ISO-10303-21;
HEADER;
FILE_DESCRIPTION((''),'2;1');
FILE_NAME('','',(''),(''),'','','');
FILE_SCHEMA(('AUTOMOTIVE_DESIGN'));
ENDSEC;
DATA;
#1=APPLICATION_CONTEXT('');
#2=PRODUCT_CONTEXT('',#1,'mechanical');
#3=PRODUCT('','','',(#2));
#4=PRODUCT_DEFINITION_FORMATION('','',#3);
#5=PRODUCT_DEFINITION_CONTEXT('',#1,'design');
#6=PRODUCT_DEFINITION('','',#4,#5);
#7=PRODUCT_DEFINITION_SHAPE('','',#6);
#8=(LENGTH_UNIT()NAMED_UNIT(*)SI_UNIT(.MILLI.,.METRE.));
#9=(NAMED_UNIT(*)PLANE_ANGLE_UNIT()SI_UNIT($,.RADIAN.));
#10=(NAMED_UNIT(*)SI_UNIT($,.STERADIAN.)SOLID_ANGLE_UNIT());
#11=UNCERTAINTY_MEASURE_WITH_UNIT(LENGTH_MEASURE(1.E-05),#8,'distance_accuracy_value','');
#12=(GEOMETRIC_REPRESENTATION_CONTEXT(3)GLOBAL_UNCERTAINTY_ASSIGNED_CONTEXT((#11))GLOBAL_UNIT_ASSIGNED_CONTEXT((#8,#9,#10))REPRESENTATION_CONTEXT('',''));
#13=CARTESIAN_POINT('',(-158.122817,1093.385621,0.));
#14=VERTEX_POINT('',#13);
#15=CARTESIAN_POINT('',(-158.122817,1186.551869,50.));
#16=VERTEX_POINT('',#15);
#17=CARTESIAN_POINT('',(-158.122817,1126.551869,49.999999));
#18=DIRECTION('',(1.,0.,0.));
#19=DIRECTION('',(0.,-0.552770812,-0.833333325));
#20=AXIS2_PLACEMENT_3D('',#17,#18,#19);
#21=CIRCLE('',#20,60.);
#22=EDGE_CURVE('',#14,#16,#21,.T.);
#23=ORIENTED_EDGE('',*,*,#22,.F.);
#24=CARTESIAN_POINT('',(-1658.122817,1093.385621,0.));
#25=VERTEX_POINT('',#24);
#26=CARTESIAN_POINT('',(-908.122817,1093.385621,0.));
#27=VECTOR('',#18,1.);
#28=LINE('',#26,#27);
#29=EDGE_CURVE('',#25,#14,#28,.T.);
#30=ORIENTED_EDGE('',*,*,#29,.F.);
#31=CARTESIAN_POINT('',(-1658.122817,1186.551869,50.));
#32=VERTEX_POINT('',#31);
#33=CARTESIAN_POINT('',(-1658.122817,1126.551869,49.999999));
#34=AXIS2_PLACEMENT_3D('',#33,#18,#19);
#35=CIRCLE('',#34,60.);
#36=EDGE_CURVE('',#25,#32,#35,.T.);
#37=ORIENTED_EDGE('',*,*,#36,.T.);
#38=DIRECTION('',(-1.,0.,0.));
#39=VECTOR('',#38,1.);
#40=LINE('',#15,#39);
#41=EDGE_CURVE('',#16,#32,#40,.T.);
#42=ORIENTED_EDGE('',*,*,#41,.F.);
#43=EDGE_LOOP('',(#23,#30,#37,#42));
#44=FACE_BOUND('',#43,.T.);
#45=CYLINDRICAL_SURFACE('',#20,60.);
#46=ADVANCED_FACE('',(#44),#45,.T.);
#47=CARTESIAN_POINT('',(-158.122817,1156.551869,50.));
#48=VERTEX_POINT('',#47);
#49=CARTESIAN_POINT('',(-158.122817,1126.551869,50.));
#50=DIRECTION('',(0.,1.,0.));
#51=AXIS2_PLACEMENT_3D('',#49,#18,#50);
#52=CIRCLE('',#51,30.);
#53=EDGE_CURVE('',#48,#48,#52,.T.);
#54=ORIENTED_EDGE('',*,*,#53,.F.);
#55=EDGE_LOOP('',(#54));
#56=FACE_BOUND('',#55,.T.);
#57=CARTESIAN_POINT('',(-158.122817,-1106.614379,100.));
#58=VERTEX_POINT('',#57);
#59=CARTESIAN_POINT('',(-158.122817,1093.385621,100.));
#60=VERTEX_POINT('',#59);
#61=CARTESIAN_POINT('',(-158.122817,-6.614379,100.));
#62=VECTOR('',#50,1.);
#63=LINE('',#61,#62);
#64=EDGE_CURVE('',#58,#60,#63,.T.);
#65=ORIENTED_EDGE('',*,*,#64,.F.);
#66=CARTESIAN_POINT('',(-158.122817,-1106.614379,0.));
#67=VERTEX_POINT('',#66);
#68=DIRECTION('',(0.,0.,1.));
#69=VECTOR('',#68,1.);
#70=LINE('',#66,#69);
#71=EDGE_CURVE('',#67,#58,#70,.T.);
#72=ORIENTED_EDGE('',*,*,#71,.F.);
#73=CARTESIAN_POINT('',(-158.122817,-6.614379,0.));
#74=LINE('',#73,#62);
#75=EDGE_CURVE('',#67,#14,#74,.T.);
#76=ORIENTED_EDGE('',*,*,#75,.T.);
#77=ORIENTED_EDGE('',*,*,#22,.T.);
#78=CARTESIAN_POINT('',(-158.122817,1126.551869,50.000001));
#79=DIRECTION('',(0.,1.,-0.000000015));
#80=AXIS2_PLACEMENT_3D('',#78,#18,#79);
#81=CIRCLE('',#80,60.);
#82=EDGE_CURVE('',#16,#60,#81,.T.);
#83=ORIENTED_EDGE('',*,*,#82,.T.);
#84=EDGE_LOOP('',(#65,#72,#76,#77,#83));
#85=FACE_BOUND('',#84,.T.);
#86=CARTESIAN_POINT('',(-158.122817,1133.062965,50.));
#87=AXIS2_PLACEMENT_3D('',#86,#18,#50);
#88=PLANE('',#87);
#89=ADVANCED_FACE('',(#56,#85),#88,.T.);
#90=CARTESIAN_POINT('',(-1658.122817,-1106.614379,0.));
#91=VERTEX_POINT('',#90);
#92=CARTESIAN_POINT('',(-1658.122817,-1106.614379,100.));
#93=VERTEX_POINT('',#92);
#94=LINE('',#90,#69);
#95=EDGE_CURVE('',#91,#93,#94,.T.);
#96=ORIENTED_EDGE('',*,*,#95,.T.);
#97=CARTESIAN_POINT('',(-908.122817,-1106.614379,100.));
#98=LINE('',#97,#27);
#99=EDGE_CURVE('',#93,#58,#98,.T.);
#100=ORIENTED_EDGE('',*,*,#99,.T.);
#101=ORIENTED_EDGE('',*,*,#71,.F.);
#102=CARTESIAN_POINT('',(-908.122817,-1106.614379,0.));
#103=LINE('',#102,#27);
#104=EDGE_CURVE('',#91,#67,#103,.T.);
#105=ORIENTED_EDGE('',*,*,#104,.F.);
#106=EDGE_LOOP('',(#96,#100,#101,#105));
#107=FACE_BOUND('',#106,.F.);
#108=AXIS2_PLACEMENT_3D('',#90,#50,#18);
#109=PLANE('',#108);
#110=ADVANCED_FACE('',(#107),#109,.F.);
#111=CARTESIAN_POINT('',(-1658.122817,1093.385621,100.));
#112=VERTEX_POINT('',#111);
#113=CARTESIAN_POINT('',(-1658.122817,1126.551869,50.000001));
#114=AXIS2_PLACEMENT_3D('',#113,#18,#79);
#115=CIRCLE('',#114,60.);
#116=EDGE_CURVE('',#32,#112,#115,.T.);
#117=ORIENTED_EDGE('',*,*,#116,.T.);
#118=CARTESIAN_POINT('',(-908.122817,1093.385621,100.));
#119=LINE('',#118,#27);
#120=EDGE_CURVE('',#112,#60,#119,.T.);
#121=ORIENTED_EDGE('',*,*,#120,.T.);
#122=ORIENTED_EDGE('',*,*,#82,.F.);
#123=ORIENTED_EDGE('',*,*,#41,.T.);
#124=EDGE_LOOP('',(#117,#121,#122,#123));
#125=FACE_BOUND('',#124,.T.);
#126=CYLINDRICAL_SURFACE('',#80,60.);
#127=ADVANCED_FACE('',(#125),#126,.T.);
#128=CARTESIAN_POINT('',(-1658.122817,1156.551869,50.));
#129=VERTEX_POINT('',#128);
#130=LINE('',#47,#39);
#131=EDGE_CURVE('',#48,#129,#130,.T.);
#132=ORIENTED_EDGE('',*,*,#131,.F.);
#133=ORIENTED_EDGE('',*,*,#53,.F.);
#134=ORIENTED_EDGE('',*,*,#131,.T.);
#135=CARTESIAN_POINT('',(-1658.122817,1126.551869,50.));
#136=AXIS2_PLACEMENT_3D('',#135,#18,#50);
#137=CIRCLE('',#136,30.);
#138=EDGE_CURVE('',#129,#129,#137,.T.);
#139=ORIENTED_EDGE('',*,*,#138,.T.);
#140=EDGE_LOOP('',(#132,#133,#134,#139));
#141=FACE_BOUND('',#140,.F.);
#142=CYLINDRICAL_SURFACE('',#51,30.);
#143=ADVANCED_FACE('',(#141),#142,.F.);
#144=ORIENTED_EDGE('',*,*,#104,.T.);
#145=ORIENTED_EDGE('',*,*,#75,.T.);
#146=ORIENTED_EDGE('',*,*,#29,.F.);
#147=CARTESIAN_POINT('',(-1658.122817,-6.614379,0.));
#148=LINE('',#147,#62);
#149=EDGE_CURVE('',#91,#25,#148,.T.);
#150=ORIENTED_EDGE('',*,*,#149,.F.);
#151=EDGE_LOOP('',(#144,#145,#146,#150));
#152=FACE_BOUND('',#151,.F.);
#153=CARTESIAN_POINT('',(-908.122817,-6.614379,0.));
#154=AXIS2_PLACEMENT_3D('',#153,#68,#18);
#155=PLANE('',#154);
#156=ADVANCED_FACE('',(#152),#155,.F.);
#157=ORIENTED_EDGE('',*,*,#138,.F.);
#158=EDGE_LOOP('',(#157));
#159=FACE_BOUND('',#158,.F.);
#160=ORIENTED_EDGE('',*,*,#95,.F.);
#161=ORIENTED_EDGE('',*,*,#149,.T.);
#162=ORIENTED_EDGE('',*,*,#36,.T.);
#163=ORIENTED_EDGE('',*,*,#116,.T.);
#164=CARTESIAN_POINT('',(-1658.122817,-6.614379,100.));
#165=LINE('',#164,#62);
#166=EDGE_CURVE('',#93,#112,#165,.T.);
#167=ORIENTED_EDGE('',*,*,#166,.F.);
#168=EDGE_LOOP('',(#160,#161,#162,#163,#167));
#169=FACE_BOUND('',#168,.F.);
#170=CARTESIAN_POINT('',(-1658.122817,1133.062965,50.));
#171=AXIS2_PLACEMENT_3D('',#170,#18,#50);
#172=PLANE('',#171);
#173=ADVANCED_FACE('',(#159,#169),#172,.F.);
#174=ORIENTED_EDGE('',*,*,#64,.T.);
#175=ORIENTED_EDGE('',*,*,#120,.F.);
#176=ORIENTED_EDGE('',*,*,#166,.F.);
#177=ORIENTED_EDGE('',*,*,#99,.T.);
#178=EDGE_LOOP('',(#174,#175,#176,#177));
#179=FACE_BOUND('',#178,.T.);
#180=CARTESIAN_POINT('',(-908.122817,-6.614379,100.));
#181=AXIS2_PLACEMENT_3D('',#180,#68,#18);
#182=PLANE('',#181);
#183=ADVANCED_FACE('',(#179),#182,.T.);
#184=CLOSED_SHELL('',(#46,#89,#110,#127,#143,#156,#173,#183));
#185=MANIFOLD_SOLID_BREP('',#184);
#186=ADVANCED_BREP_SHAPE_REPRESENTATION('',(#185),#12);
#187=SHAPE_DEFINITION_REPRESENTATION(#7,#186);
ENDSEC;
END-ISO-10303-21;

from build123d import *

# Parameters (mm, degrees)
F0_W     = 1500
F0_H     = 2200
F1_DEPTH = 100
F2_R     = 30
F3_DEPTH = 1500


with BuildPart() as f1:
    # F0 (on Top) → F1 (new body)
    with BuildSketch(Plane.XY):
        with Locations((-908.122817, -6.614379)):
            Rectangle(F0_W, F0_H)
    extrude(amount=F1_DEPTH)

    # F2 (on face) → F3 (join, through all)
    with BuildSketch(Plane.YZ.offset(-158.122817)):
        with BuildLine():
            ThreePointArc((1093.385621, 0), (1154.924613, -2.867641), (1186.551869, 50))
            ThreePointArc((1186.551869, 50), (1154.924613, 102.867641), (1093.385621, 100))
            Line((1093.385621, 100), (1093.385621, 0))
        make_face()
        with Locations((1126.551869, 50)):
            Circle(F2_R, mode=Mode.SUBTRACT)
    extrude(amount=-F3_DEPTH)


solid = f1.part
